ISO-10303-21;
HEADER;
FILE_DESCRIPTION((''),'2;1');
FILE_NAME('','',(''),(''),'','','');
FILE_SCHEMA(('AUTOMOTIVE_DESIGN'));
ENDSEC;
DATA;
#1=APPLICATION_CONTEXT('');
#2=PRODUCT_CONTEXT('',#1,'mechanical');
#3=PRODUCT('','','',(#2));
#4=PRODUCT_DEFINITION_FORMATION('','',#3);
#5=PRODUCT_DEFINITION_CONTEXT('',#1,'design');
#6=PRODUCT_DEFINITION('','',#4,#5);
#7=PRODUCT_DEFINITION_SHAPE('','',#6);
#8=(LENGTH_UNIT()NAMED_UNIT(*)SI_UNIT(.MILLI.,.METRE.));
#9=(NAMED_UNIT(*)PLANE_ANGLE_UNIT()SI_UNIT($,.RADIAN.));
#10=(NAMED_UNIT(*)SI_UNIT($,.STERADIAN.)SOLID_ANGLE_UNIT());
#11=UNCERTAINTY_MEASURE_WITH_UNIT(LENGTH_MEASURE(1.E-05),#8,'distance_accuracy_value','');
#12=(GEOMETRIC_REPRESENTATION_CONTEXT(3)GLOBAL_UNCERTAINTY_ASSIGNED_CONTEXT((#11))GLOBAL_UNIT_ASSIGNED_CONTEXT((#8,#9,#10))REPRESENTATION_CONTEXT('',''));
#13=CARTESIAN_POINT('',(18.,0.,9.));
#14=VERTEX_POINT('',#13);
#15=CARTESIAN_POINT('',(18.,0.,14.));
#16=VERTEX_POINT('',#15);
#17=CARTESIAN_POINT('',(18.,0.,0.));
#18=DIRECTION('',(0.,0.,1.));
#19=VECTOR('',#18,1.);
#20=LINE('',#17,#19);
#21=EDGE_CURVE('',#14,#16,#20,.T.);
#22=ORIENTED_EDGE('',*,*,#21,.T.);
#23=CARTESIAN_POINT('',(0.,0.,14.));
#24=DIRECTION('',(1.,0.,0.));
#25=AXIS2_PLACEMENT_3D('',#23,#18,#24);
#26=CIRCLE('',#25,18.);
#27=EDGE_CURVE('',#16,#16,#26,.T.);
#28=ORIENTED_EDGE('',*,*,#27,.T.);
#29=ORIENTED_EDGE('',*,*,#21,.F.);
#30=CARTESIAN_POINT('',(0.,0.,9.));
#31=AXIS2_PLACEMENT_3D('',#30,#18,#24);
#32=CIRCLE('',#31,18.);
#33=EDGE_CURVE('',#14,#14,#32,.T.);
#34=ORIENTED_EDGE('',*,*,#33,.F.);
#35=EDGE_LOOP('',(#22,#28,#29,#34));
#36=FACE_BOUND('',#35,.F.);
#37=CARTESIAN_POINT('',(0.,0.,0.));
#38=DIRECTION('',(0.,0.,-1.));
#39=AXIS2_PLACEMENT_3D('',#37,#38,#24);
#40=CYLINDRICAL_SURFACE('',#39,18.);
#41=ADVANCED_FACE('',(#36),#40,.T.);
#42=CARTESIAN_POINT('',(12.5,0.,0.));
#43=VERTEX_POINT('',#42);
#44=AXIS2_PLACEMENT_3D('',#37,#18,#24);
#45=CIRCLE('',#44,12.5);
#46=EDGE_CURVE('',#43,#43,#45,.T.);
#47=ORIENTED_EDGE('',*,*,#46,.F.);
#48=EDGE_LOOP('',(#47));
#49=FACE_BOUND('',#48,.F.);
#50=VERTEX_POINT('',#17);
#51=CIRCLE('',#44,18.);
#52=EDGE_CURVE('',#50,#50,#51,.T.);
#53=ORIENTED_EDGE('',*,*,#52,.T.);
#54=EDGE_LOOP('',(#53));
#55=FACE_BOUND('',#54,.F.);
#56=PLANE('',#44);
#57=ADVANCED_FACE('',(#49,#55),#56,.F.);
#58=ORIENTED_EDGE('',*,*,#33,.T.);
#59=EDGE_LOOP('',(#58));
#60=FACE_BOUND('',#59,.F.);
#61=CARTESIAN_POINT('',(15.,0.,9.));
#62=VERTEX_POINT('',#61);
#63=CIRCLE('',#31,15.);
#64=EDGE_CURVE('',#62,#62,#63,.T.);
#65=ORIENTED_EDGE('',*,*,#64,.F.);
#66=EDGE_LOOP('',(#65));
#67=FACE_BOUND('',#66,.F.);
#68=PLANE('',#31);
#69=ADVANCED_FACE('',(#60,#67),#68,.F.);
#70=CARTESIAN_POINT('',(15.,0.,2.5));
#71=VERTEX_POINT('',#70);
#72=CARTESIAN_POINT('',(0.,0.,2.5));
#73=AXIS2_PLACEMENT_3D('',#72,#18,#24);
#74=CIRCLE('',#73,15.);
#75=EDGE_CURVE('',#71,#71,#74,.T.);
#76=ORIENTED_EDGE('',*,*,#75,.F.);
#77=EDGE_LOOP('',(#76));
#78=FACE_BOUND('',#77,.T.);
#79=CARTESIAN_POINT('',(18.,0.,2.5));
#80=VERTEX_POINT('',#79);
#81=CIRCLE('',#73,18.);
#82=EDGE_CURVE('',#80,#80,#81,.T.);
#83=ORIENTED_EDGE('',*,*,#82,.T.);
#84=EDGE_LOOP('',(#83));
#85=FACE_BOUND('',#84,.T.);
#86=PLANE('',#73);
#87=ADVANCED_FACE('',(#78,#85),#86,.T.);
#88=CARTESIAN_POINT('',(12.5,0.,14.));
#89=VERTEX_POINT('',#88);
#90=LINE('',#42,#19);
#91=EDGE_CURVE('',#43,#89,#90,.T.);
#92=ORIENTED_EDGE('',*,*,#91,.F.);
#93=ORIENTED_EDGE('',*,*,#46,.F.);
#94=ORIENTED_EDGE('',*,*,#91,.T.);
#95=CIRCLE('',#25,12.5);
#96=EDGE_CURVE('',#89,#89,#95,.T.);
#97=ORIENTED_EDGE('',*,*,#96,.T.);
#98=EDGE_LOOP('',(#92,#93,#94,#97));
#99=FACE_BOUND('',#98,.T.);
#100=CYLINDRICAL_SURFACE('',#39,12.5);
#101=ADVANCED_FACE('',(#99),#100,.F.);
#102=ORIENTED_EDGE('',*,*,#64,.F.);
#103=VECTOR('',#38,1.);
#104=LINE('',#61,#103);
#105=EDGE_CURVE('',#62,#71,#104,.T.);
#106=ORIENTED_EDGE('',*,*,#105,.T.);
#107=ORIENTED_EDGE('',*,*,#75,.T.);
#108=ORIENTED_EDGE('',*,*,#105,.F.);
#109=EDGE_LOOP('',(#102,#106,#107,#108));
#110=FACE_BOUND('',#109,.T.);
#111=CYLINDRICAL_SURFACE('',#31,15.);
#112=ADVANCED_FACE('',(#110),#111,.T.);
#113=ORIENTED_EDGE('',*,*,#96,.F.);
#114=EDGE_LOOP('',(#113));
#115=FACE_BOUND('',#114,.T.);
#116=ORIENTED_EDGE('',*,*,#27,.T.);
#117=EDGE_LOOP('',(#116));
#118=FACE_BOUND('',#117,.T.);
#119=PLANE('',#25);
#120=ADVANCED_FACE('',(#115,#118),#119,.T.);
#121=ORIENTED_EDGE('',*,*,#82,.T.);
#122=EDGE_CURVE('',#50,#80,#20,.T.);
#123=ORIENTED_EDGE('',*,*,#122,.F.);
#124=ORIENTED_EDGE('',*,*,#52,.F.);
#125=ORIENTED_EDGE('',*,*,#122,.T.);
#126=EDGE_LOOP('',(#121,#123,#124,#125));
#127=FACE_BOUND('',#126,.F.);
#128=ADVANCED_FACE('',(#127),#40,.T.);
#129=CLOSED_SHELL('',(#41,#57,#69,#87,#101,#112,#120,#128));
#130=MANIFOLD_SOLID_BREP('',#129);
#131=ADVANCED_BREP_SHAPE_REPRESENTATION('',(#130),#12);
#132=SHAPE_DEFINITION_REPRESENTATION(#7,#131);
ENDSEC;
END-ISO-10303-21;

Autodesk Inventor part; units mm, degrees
ref_plane "YZ Plane" through (0, 0, 0) normal (1, 0, 0) x (0, 1, 0)
ref_plane "XZ Plane" through (0, 0, 0) normal (0, 1, 0) x (-1, 0, 0)
sketch "スケッチ1" plane through (0, 0, 0) normal (0, 0, 1) x (1, 0, 0)
  circle A0 centre (0, 0) radius 12.5
  circle A1 centre (0, 0) radius 18
  dimension "d0" = 25
  dimension "d1" = 36
extrude "押し出し1" add sketch "スケッチ1" along normal blind 14
ref_plane "作業平面1" through (0, 0, 9) normal (0, 0, 1) x (1, 0, 0)
sketch "スケッチ2" plane through (0, 0, 9) normal (0, 0, 1) x (1, 0, 0)
  circle A0 centre (0, 0) radius 15
  circle A1 centre (0, 0) radius 18
  dimension "d5" = 30
extrude "押し出し2" cut sketch "スケッチ2" against normal blind 6.5
properties part number "GT2_50teeth_25bore" material "アルミニウム 6061"
